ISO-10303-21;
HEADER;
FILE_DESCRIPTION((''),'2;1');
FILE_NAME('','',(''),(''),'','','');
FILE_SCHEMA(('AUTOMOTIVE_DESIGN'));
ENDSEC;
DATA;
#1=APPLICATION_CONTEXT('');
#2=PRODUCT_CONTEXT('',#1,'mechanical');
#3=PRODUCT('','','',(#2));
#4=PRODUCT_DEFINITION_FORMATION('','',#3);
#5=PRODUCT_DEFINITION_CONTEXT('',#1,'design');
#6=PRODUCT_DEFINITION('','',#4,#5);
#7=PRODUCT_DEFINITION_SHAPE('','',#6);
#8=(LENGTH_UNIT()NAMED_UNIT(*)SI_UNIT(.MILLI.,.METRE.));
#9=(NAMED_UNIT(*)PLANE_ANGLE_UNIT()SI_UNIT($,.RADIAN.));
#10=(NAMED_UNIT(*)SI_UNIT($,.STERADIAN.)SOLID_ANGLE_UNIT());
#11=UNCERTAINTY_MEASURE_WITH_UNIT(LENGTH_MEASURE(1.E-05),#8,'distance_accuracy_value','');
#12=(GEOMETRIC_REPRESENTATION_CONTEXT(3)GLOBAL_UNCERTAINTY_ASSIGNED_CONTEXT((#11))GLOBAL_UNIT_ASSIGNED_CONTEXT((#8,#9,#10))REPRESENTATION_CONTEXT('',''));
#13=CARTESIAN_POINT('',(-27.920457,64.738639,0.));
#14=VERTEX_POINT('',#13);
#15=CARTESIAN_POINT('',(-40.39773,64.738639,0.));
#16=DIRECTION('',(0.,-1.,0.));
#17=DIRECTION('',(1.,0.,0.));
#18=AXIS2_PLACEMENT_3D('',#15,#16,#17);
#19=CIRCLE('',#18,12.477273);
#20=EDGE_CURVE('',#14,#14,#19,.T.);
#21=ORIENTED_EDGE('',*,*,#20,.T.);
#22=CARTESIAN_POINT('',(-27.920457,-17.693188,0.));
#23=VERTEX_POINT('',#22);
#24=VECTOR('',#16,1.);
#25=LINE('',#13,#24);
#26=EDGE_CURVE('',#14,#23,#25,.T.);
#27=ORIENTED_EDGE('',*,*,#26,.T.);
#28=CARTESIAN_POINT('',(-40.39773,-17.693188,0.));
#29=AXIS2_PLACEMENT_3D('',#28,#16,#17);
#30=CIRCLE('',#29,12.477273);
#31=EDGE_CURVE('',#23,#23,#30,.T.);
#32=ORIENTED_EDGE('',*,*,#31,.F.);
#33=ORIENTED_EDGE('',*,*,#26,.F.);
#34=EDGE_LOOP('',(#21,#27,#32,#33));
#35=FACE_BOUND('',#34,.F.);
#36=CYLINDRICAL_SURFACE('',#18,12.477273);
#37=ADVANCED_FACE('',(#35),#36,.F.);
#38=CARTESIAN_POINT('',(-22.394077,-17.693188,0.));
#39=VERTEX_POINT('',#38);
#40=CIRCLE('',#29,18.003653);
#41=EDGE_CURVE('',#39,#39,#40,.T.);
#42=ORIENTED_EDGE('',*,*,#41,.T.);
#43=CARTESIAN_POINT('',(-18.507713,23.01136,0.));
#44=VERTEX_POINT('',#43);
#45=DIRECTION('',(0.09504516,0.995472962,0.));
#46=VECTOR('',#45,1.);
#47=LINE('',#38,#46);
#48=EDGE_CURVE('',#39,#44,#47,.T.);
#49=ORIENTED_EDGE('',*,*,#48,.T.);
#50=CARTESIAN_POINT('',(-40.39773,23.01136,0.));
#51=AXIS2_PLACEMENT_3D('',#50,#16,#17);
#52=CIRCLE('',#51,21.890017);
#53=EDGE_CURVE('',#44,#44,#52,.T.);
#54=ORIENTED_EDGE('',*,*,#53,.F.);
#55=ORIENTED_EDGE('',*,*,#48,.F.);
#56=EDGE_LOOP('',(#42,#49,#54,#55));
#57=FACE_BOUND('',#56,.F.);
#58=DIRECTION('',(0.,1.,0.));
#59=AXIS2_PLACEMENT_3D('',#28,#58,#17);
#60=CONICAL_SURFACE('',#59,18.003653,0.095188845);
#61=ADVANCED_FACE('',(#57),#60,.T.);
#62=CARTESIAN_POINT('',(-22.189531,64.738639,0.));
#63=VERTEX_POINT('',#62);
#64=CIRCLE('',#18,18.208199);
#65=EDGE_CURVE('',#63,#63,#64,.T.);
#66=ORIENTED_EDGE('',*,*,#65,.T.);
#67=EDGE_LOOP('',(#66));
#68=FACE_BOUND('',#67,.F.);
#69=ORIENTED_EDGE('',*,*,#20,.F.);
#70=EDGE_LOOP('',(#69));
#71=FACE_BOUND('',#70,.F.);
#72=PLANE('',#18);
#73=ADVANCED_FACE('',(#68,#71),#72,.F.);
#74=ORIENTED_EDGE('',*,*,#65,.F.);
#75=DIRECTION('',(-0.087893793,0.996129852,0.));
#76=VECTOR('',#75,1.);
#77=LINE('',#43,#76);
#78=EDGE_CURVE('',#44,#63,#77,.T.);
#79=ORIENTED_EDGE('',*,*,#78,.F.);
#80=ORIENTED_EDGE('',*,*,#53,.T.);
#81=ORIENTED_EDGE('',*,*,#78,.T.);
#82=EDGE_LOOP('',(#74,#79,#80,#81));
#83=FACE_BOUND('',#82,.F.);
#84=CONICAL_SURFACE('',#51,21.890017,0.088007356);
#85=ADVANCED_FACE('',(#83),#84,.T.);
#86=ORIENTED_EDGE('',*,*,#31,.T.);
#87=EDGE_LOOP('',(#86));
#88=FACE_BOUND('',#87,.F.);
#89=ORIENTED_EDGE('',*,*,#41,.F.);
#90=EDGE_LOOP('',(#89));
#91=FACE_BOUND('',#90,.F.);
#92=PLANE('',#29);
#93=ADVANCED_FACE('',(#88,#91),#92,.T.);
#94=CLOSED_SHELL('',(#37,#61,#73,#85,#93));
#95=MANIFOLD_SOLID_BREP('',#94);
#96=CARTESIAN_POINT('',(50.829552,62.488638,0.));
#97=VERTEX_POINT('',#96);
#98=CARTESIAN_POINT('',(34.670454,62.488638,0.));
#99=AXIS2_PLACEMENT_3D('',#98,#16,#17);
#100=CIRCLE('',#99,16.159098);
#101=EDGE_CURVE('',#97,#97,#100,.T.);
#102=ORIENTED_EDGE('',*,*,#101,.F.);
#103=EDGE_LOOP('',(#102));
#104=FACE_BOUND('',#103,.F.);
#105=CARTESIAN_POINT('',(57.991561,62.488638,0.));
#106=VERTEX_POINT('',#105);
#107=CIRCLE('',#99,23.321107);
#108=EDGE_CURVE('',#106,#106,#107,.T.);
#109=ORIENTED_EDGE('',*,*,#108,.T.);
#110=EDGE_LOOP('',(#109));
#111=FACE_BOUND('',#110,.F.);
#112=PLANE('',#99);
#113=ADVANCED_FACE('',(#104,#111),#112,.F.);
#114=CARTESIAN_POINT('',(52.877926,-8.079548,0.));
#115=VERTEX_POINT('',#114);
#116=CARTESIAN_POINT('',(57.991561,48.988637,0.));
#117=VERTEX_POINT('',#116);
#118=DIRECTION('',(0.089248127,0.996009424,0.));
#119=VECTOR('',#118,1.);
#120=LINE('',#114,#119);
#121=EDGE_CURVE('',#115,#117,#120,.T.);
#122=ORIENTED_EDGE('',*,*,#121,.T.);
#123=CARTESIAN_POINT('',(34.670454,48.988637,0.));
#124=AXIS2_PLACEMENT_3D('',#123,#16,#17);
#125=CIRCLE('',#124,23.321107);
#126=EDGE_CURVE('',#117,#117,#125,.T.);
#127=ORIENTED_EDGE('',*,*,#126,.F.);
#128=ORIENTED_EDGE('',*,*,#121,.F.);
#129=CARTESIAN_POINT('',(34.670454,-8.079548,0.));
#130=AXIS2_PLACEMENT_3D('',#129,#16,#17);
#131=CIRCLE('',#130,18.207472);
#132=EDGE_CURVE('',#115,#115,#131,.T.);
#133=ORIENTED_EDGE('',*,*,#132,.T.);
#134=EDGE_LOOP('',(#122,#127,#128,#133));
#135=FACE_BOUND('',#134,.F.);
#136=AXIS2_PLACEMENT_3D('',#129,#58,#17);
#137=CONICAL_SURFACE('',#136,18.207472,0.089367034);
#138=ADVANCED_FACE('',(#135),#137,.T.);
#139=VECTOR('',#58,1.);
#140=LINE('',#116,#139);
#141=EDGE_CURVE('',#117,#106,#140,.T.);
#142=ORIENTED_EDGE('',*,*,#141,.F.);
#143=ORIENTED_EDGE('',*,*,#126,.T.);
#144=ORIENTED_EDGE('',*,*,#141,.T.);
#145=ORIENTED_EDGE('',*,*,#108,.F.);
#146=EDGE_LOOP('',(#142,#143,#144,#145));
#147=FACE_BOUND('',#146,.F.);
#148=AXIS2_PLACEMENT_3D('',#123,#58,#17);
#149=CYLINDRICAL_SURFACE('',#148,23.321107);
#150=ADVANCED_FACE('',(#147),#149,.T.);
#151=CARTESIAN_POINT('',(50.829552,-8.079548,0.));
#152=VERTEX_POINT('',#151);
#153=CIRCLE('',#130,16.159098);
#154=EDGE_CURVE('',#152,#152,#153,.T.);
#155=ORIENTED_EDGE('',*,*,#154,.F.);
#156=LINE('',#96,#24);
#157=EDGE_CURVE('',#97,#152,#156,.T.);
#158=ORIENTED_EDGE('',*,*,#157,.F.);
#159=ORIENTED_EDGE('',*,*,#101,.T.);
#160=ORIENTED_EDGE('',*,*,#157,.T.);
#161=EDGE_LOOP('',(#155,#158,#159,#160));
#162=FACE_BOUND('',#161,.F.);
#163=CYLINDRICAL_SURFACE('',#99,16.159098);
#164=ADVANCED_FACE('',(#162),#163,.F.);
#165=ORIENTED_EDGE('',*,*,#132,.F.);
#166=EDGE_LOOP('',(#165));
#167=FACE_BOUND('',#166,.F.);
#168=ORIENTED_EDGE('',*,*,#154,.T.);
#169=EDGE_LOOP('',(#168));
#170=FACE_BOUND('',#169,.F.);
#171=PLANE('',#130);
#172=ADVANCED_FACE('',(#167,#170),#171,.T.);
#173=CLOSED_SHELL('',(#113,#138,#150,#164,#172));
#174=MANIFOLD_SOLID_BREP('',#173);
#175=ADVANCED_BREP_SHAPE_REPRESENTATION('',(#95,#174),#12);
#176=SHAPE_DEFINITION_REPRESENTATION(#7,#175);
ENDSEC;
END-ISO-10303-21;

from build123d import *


with BuildPart() as f1:
    # F0 (on Top) → F1 (revolve)
    with BuildSketch(Plane.XY):
        Polygon((-22.189531, 64.738639), (-27.920457, 64.738639), (-27.920457, 22.397727), (-27.920457, -17.693188), (-22.394077, -17.693188), (-18.507713, 23.01136), align=None)
    revolve(axis=Axis((-40.39773, 14.625, 0), (0, -1, 0)))


with BuildPart() as f3:
    # F2 (on Top) → F3 (revolve)
    with BuildSketch(Plane.XY):
        Polygon((57.991561, 62.488638), (50.829552, 62.488638), (50.829552, -8.079548), (52.877926, -8.079548), (57.991561, 48.988637), align=None)
    revolve(axis=Axis((34.670454, 27.409091, 0), (0, -1, 0)))


solid = Compound([f1.part, f3.part])
